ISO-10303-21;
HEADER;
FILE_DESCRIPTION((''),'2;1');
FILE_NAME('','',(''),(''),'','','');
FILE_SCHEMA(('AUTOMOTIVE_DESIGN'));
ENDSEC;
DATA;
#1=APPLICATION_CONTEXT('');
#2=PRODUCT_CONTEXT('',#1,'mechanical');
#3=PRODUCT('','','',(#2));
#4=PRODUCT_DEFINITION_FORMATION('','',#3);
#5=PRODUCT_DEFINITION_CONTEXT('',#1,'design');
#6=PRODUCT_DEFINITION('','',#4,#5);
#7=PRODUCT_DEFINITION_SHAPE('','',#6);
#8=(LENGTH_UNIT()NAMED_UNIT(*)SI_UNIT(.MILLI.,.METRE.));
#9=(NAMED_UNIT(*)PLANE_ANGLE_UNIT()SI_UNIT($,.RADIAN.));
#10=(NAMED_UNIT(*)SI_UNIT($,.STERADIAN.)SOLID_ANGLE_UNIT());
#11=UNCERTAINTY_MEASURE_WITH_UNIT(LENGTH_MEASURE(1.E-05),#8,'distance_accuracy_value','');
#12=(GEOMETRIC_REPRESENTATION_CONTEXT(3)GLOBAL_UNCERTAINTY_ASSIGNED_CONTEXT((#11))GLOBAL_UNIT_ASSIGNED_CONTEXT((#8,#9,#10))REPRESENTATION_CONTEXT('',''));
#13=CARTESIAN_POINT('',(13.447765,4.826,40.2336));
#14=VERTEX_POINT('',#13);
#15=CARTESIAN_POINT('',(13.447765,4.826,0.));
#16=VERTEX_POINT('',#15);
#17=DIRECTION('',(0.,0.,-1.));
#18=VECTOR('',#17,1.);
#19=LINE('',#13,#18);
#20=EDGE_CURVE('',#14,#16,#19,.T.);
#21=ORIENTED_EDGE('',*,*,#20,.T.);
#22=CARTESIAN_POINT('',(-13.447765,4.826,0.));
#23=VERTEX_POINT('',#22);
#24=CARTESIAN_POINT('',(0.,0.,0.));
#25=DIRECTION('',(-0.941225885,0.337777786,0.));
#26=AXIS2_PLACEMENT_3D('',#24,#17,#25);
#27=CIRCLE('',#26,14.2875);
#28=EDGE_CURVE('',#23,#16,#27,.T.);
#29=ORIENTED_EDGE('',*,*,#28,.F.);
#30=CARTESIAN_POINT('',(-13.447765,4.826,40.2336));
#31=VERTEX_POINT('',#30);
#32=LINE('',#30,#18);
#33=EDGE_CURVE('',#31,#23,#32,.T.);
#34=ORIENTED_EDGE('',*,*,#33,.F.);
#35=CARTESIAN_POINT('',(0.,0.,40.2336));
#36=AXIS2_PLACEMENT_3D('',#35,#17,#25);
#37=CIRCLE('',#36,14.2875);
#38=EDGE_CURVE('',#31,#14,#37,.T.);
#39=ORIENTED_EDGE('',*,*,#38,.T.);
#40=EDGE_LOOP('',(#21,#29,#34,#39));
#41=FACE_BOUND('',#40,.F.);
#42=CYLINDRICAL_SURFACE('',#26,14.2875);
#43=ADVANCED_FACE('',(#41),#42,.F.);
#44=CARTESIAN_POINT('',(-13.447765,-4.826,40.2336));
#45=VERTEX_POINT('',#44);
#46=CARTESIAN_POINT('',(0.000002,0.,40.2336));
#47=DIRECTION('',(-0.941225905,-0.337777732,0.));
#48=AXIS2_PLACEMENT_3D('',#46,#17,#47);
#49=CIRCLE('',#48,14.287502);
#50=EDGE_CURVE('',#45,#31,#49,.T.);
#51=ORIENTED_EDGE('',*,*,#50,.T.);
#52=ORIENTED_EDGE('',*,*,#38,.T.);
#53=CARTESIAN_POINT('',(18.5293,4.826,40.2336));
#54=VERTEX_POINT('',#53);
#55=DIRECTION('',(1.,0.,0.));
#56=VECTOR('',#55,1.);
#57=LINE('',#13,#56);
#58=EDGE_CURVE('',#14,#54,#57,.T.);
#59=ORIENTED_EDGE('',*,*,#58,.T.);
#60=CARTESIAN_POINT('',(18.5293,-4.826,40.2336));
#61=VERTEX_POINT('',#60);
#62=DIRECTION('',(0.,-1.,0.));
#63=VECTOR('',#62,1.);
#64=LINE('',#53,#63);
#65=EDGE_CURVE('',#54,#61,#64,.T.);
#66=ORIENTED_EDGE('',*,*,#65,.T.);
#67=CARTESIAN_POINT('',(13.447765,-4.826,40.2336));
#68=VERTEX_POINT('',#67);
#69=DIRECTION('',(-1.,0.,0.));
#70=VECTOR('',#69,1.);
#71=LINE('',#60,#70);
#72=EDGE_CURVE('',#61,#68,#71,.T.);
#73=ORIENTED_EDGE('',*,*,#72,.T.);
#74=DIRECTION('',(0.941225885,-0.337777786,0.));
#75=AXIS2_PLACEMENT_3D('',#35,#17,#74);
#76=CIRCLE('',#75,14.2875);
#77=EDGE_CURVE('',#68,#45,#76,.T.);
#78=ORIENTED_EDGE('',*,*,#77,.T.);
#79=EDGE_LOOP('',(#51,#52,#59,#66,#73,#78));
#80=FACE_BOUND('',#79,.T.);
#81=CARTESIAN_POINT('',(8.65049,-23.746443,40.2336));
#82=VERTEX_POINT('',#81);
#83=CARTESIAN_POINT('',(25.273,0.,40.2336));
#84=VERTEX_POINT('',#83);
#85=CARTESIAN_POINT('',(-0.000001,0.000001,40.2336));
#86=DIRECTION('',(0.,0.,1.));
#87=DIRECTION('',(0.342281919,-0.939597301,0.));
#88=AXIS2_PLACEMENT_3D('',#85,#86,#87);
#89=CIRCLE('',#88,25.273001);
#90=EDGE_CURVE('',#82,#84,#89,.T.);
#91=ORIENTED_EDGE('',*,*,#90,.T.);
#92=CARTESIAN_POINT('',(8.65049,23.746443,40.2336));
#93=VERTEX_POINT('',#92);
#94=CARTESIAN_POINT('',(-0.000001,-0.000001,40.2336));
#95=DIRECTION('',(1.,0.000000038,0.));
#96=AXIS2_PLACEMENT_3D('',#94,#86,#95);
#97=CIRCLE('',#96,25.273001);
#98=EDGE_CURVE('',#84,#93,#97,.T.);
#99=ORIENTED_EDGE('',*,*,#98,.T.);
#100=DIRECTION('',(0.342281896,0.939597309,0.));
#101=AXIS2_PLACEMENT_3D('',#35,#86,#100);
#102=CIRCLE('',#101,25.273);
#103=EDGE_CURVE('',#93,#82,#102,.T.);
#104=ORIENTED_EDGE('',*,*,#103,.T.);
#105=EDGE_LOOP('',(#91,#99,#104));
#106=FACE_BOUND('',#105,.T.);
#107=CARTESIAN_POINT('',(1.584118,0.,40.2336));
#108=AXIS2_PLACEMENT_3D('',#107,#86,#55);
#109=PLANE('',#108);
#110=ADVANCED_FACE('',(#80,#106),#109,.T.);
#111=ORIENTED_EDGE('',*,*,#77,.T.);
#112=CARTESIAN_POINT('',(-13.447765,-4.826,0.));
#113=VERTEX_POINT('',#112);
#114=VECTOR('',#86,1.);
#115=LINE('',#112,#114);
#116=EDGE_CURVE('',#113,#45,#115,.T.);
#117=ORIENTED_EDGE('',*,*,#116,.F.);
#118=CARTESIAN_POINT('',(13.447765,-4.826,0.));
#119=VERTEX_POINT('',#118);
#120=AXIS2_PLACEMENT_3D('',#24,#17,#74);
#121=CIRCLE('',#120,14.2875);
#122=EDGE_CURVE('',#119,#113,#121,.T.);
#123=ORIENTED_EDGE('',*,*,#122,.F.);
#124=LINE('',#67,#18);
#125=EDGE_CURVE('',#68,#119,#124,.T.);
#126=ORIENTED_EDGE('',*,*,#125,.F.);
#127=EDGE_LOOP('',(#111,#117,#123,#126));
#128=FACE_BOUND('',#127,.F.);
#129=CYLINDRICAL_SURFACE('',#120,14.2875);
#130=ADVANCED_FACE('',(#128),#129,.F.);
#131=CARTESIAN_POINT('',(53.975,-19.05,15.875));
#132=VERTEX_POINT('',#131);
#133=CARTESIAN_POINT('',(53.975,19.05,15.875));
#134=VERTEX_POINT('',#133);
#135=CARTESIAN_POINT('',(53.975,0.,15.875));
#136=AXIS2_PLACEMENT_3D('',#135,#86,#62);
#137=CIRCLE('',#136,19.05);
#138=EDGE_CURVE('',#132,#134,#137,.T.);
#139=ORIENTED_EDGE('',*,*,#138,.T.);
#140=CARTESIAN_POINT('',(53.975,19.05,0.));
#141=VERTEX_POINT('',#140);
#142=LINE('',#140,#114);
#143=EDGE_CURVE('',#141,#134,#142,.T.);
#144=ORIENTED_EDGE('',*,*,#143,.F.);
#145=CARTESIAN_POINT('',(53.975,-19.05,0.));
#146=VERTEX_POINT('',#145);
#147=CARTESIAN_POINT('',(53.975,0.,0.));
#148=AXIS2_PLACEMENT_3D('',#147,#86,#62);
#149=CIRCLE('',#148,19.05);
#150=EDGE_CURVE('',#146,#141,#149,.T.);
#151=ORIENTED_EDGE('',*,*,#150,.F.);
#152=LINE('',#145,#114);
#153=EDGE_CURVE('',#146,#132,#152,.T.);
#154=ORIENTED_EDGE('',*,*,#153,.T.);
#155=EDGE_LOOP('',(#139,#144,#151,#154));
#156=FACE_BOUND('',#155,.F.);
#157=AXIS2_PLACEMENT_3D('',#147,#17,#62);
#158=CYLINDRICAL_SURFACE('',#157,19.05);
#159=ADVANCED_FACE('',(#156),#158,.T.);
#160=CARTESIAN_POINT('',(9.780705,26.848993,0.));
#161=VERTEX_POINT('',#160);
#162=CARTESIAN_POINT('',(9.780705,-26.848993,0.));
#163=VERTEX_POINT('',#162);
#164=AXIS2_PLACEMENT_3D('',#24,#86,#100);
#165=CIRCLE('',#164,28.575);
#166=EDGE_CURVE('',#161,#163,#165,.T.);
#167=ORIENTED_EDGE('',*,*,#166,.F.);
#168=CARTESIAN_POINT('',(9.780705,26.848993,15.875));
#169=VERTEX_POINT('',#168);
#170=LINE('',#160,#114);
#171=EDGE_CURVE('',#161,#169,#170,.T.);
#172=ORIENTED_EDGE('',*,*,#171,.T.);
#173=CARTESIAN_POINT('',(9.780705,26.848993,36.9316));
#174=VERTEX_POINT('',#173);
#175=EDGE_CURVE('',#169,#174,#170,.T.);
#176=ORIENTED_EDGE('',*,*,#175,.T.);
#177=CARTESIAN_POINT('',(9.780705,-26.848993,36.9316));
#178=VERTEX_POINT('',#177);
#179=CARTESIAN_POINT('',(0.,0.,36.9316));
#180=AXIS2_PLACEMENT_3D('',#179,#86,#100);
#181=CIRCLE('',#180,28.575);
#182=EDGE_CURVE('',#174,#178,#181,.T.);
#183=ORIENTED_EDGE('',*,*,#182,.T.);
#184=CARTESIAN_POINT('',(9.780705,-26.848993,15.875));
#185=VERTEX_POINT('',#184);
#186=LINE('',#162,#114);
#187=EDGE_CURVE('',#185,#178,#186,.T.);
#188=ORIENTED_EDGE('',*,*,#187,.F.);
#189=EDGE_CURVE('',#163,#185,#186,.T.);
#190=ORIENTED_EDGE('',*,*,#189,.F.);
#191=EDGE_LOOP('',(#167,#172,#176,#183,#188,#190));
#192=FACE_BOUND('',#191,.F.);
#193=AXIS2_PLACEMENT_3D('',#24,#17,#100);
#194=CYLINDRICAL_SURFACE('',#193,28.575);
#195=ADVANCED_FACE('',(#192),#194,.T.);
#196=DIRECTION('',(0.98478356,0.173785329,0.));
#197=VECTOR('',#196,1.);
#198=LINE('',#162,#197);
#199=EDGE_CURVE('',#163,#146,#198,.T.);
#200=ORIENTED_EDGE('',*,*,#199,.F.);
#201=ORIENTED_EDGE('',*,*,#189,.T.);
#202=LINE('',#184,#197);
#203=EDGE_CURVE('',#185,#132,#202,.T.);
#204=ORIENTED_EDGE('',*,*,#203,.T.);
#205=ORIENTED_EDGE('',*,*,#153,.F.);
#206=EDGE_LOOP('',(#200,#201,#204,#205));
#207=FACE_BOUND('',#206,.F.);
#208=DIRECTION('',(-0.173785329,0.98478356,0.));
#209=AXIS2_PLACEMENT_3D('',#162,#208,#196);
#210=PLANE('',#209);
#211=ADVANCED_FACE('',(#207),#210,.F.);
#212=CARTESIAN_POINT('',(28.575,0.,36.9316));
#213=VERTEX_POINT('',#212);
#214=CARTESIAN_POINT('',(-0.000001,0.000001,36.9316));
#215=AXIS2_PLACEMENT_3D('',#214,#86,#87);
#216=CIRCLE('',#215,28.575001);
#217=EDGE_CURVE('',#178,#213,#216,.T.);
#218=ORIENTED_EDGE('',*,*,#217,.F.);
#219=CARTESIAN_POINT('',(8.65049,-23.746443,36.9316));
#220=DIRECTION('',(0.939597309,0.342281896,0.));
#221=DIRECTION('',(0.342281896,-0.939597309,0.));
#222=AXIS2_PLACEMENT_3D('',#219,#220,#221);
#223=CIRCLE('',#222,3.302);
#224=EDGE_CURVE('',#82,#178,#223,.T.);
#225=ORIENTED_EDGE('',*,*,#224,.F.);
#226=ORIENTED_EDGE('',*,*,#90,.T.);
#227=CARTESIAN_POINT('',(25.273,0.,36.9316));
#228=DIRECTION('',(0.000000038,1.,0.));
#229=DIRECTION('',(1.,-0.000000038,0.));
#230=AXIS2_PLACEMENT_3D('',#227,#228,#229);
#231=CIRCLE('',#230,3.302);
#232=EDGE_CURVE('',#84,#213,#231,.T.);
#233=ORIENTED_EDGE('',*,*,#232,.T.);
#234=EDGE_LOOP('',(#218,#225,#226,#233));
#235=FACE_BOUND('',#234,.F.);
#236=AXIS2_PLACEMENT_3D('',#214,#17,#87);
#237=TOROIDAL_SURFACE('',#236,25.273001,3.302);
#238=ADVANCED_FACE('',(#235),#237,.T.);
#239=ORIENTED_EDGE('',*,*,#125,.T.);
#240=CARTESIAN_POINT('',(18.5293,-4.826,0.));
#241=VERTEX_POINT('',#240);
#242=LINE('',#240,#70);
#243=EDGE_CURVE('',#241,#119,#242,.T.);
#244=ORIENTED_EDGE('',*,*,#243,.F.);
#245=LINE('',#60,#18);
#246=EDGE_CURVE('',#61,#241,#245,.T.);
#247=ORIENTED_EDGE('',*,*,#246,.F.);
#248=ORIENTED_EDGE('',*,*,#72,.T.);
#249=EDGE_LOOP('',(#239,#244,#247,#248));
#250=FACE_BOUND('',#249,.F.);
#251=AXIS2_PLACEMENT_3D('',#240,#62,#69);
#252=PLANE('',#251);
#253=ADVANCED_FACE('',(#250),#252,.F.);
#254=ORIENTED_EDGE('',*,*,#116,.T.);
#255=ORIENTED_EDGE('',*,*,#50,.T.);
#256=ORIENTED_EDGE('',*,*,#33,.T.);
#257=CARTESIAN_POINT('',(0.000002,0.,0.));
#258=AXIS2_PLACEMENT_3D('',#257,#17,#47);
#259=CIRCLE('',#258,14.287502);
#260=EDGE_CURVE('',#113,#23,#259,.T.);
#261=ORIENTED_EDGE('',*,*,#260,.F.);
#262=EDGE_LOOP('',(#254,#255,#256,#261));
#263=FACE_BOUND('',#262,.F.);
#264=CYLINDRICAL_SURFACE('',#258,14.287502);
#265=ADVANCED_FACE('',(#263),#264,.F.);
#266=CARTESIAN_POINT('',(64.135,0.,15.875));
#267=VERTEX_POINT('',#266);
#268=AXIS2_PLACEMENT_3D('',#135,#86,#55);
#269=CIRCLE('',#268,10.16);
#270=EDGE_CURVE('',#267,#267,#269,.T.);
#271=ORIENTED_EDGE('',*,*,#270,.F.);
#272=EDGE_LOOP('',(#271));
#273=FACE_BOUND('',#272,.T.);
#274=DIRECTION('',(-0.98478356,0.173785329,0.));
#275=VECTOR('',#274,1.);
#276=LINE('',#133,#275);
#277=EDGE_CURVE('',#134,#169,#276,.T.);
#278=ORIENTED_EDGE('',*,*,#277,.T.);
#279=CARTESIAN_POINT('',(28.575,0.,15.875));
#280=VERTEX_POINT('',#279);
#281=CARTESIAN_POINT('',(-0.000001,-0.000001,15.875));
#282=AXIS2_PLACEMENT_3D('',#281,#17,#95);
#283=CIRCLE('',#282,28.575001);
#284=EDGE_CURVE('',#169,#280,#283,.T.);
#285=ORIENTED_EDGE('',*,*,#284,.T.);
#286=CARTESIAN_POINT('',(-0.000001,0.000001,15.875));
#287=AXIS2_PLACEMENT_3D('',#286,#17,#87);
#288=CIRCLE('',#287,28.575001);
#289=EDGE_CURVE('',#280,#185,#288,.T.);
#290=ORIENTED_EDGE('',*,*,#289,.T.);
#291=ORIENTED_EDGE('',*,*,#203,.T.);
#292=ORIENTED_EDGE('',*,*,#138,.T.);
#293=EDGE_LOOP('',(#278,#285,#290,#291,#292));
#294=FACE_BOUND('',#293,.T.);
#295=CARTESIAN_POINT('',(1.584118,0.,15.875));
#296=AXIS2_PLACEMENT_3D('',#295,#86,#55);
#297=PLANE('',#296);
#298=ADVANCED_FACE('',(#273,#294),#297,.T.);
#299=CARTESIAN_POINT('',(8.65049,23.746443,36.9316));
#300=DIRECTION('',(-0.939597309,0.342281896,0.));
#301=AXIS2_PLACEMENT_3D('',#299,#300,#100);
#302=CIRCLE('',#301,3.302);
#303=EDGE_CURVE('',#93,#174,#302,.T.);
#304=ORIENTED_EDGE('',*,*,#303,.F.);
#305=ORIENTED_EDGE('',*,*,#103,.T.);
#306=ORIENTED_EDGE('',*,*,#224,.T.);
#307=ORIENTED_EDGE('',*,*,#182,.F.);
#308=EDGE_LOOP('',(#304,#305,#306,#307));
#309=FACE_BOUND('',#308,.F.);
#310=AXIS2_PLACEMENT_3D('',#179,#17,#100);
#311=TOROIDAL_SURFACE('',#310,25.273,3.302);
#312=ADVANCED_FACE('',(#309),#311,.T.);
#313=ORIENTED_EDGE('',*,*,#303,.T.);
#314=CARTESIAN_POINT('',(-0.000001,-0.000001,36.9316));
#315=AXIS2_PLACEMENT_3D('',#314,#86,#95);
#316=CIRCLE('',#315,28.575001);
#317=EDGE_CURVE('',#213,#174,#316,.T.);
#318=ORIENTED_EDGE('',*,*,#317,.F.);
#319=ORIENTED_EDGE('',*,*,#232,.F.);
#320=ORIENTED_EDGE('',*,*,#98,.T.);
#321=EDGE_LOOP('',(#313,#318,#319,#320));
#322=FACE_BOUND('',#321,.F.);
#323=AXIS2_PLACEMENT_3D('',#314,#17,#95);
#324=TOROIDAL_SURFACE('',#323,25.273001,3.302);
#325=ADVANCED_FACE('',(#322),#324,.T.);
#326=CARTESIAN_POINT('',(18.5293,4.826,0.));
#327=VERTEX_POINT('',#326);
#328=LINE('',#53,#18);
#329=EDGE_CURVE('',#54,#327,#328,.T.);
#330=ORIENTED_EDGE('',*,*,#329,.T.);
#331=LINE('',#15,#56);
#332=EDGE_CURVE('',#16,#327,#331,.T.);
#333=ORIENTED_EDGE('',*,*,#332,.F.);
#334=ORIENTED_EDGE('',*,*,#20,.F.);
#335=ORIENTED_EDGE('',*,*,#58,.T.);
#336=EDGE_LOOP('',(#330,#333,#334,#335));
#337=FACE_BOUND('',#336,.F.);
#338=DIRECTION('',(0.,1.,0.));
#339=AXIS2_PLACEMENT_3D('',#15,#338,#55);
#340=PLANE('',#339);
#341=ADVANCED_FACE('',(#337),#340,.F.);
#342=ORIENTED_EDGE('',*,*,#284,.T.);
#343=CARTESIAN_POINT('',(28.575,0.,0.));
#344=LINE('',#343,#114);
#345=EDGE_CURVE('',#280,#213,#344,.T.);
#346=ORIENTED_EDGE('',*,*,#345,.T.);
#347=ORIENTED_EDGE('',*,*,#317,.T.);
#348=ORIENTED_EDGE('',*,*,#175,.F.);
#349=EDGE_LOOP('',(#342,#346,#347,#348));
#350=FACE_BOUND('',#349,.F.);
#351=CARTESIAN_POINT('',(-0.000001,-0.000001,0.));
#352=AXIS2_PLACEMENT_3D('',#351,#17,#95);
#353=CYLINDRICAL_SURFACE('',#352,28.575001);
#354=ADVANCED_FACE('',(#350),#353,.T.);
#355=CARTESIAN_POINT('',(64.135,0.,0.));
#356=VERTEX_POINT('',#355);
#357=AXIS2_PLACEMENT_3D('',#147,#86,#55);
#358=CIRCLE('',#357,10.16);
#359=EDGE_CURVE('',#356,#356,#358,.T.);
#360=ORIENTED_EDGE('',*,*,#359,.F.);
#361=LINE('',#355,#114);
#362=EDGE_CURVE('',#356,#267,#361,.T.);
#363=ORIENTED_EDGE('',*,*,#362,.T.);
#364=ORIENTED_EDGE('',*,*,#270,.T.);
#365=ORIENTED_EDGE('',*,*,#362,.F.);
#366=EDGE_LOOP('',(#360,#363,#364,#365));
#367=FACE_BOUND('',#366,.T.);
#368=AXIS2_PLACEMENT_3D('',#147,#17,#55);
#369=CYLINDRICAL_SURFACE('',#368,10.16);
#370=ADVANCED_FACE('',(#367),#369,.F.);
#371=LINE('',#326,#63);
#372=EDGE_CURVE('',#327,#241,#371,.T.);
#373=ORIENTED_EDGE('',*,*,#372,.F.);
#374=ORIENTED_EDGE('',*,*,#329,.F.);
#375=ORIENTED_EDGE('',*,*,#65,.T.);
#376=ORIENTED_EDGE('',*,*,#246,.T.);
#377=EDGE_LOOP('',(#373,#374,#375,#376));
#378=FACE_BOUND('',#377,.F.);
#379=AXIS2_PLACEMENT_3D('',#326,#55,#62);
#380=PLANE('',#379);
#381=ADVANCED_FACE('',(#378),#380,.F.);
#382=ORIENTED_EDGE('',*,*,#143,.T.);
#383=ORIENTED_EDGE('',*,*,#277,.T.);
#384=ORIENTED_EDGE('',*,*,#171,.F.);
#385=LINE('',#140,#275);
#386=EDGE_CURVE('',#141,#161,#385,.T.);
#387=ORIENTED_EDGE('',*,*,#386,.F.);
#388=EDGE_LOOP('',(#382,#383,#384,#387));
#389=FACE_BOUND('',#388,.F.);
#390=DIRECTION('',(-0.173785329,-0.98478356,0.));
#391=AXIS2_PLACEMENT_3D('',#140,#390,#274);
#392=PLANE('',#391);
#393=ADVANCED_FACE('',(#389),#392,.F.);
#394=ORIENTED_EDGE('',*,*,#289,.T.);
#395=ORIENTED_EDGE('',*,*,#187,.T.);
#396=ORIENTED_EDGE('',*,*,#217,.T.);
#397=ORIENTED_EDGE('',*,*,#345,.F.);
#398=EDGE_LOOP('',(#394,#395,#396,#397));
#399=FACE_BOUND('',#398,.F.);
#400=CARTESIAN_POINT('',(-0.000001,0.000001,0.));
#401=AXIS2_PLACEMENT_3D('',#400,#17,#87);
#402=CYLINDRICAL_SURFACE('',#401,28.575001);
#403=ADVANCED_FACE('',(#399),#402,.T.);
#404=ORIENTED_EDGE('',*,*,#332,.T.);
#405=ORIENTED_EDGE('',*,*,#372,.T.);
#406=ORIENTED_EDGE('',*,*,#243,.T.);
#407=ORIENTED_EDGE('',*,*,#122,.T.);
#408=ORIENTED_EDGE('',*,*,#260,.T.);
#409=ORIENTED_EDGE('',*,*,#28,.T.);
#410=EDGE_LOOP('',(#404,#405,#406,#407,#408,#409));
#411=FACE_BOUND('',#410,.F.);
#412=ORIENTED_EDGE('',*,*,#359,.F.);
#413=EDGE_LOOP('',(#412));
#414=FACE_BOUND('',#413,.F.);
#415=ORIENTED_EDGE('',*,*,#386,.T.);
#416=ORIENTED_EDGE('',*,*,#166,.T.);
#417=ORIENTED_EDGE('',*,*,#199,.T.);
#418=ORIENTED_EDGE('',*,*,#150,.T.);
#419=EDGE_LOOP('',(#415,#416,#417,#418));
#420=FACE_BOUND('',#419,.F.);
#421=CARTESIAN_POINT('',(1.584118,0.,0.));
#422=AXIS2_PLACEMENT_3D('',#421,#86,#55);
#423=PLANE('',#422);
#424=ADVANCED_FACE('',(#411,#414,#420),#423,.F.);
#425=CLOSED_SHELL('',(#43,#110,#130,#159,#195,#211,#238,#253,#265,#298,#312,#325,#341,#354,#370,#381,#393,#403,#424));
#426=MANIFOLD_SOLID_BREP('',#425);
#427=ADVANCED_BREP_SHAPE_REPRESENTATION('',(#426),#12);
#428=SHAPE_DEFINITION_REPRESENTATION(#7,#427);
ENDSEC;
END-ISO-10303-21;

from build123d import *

# Parameters (mm, degrees)
F1_DEPTH = 40.2336
F0_R     = 10.16
F2_DEPTH = 15.875
F3_R     = 3.302


with BuildPart() as f1:
    # F0 (on Top) → F1 (new body)
    with BuildSketch(Plane.XY):
        with BuildLine():
            ThreePointArc((9.780705, -26.848993), (23.409552, -16.386686), (28.575, 0))
            ThreePointArc((28.575, 0), (23.409552, 16.386686), (9.780705, 26.848993))
            ThreePointArc((9.780705, 26.848993), (-28.575, 0), (9.780705, -26.848993))
        make_face()
        with BuildLine():
            ThreePointArc((-13.447765, -4.826), (-14.2875, 0), (-13.447765, 4.826))
            ThreePointArc((-13.447765, 4.826), (0, 14.2875), (13.447765, 4.826))
            Line((13.447765, 4.826), (18.5293, 4.826))
            Line((18.5293, 4.826), (18.5293, -4.826))
            Line((18.5293, -4.826), (13.447765, -4.826))
            ThreePointArc((13.447765, -4.826), (0, -14.2875), (-13.447765, -4.826))
        make_face(mode=Mode.SUBTRACT)
    extrude(amount=F1_DEPTH)

    # F0 (on Top) → F2 (join)
    with BuildSketch(Plane.XY):
        with BuildLine():
            ThreePointArc((9.780705, -26.848993), (23.409552, -16.386686), (28.575, 0))
            ThreePointArc((28.575, 0), (23.409552, 16.386686), (9.780705, 26.848993))
            ThreePointArc((9.780705, 26.848993), (-28.575, 0), (9.780705, -26.848993))
        make_face()
        with BuildLine():
            ThreePointArc((-13.447765, -4.826), (-14.2875, 0), (-13.447765, 4.826))
            ThreePointArc((-13.447765, 4.826), (0, 14.2875), (13.447765, 4.826))
            Line((13.447765, 4.826), (18.5293, 4.826))
            Line((18.5293, 4.826), (18.5293, -4.826))
            Line((18.5293, -4.826), (13.447765, -4.826))
            ThreePointArc((13.447765, -4.826), (0, -14.2875), (-13.447765, -4.826))
        make_face(mode=Mode.SUBTRACT)
        with BuildLine():
            ThreePointArc((9.780705, 26.848993), (23.409552, 16.386686), (28.575, 0))
            ThreePointArc((28.575, 0), (23.409552, -16.386686), (9.780705, -26.848993))
            Line((9.780705, -26.848993), (53.975, -19.05))
            ThreePointArc((53.975, -19.05), (73.025, 0), (53.975, 19.05))
            Line((53.975, 19.05), (9.780705, 26.848993))
        make_face()
        with Locations((53.975, 0)):
            Circle(F0_R, mode=Mode.SUBTRACT)
    extrude(amount=F2_DEPTH)

    # F3
    f3_edges = [f1.edges().sort_by_distance(p)[0] for p in [
        (-9.780705, 26.848993, 40.2336),
    ]]
    fillet(f3_edges, radius=F3_R)


solid = f1.part
